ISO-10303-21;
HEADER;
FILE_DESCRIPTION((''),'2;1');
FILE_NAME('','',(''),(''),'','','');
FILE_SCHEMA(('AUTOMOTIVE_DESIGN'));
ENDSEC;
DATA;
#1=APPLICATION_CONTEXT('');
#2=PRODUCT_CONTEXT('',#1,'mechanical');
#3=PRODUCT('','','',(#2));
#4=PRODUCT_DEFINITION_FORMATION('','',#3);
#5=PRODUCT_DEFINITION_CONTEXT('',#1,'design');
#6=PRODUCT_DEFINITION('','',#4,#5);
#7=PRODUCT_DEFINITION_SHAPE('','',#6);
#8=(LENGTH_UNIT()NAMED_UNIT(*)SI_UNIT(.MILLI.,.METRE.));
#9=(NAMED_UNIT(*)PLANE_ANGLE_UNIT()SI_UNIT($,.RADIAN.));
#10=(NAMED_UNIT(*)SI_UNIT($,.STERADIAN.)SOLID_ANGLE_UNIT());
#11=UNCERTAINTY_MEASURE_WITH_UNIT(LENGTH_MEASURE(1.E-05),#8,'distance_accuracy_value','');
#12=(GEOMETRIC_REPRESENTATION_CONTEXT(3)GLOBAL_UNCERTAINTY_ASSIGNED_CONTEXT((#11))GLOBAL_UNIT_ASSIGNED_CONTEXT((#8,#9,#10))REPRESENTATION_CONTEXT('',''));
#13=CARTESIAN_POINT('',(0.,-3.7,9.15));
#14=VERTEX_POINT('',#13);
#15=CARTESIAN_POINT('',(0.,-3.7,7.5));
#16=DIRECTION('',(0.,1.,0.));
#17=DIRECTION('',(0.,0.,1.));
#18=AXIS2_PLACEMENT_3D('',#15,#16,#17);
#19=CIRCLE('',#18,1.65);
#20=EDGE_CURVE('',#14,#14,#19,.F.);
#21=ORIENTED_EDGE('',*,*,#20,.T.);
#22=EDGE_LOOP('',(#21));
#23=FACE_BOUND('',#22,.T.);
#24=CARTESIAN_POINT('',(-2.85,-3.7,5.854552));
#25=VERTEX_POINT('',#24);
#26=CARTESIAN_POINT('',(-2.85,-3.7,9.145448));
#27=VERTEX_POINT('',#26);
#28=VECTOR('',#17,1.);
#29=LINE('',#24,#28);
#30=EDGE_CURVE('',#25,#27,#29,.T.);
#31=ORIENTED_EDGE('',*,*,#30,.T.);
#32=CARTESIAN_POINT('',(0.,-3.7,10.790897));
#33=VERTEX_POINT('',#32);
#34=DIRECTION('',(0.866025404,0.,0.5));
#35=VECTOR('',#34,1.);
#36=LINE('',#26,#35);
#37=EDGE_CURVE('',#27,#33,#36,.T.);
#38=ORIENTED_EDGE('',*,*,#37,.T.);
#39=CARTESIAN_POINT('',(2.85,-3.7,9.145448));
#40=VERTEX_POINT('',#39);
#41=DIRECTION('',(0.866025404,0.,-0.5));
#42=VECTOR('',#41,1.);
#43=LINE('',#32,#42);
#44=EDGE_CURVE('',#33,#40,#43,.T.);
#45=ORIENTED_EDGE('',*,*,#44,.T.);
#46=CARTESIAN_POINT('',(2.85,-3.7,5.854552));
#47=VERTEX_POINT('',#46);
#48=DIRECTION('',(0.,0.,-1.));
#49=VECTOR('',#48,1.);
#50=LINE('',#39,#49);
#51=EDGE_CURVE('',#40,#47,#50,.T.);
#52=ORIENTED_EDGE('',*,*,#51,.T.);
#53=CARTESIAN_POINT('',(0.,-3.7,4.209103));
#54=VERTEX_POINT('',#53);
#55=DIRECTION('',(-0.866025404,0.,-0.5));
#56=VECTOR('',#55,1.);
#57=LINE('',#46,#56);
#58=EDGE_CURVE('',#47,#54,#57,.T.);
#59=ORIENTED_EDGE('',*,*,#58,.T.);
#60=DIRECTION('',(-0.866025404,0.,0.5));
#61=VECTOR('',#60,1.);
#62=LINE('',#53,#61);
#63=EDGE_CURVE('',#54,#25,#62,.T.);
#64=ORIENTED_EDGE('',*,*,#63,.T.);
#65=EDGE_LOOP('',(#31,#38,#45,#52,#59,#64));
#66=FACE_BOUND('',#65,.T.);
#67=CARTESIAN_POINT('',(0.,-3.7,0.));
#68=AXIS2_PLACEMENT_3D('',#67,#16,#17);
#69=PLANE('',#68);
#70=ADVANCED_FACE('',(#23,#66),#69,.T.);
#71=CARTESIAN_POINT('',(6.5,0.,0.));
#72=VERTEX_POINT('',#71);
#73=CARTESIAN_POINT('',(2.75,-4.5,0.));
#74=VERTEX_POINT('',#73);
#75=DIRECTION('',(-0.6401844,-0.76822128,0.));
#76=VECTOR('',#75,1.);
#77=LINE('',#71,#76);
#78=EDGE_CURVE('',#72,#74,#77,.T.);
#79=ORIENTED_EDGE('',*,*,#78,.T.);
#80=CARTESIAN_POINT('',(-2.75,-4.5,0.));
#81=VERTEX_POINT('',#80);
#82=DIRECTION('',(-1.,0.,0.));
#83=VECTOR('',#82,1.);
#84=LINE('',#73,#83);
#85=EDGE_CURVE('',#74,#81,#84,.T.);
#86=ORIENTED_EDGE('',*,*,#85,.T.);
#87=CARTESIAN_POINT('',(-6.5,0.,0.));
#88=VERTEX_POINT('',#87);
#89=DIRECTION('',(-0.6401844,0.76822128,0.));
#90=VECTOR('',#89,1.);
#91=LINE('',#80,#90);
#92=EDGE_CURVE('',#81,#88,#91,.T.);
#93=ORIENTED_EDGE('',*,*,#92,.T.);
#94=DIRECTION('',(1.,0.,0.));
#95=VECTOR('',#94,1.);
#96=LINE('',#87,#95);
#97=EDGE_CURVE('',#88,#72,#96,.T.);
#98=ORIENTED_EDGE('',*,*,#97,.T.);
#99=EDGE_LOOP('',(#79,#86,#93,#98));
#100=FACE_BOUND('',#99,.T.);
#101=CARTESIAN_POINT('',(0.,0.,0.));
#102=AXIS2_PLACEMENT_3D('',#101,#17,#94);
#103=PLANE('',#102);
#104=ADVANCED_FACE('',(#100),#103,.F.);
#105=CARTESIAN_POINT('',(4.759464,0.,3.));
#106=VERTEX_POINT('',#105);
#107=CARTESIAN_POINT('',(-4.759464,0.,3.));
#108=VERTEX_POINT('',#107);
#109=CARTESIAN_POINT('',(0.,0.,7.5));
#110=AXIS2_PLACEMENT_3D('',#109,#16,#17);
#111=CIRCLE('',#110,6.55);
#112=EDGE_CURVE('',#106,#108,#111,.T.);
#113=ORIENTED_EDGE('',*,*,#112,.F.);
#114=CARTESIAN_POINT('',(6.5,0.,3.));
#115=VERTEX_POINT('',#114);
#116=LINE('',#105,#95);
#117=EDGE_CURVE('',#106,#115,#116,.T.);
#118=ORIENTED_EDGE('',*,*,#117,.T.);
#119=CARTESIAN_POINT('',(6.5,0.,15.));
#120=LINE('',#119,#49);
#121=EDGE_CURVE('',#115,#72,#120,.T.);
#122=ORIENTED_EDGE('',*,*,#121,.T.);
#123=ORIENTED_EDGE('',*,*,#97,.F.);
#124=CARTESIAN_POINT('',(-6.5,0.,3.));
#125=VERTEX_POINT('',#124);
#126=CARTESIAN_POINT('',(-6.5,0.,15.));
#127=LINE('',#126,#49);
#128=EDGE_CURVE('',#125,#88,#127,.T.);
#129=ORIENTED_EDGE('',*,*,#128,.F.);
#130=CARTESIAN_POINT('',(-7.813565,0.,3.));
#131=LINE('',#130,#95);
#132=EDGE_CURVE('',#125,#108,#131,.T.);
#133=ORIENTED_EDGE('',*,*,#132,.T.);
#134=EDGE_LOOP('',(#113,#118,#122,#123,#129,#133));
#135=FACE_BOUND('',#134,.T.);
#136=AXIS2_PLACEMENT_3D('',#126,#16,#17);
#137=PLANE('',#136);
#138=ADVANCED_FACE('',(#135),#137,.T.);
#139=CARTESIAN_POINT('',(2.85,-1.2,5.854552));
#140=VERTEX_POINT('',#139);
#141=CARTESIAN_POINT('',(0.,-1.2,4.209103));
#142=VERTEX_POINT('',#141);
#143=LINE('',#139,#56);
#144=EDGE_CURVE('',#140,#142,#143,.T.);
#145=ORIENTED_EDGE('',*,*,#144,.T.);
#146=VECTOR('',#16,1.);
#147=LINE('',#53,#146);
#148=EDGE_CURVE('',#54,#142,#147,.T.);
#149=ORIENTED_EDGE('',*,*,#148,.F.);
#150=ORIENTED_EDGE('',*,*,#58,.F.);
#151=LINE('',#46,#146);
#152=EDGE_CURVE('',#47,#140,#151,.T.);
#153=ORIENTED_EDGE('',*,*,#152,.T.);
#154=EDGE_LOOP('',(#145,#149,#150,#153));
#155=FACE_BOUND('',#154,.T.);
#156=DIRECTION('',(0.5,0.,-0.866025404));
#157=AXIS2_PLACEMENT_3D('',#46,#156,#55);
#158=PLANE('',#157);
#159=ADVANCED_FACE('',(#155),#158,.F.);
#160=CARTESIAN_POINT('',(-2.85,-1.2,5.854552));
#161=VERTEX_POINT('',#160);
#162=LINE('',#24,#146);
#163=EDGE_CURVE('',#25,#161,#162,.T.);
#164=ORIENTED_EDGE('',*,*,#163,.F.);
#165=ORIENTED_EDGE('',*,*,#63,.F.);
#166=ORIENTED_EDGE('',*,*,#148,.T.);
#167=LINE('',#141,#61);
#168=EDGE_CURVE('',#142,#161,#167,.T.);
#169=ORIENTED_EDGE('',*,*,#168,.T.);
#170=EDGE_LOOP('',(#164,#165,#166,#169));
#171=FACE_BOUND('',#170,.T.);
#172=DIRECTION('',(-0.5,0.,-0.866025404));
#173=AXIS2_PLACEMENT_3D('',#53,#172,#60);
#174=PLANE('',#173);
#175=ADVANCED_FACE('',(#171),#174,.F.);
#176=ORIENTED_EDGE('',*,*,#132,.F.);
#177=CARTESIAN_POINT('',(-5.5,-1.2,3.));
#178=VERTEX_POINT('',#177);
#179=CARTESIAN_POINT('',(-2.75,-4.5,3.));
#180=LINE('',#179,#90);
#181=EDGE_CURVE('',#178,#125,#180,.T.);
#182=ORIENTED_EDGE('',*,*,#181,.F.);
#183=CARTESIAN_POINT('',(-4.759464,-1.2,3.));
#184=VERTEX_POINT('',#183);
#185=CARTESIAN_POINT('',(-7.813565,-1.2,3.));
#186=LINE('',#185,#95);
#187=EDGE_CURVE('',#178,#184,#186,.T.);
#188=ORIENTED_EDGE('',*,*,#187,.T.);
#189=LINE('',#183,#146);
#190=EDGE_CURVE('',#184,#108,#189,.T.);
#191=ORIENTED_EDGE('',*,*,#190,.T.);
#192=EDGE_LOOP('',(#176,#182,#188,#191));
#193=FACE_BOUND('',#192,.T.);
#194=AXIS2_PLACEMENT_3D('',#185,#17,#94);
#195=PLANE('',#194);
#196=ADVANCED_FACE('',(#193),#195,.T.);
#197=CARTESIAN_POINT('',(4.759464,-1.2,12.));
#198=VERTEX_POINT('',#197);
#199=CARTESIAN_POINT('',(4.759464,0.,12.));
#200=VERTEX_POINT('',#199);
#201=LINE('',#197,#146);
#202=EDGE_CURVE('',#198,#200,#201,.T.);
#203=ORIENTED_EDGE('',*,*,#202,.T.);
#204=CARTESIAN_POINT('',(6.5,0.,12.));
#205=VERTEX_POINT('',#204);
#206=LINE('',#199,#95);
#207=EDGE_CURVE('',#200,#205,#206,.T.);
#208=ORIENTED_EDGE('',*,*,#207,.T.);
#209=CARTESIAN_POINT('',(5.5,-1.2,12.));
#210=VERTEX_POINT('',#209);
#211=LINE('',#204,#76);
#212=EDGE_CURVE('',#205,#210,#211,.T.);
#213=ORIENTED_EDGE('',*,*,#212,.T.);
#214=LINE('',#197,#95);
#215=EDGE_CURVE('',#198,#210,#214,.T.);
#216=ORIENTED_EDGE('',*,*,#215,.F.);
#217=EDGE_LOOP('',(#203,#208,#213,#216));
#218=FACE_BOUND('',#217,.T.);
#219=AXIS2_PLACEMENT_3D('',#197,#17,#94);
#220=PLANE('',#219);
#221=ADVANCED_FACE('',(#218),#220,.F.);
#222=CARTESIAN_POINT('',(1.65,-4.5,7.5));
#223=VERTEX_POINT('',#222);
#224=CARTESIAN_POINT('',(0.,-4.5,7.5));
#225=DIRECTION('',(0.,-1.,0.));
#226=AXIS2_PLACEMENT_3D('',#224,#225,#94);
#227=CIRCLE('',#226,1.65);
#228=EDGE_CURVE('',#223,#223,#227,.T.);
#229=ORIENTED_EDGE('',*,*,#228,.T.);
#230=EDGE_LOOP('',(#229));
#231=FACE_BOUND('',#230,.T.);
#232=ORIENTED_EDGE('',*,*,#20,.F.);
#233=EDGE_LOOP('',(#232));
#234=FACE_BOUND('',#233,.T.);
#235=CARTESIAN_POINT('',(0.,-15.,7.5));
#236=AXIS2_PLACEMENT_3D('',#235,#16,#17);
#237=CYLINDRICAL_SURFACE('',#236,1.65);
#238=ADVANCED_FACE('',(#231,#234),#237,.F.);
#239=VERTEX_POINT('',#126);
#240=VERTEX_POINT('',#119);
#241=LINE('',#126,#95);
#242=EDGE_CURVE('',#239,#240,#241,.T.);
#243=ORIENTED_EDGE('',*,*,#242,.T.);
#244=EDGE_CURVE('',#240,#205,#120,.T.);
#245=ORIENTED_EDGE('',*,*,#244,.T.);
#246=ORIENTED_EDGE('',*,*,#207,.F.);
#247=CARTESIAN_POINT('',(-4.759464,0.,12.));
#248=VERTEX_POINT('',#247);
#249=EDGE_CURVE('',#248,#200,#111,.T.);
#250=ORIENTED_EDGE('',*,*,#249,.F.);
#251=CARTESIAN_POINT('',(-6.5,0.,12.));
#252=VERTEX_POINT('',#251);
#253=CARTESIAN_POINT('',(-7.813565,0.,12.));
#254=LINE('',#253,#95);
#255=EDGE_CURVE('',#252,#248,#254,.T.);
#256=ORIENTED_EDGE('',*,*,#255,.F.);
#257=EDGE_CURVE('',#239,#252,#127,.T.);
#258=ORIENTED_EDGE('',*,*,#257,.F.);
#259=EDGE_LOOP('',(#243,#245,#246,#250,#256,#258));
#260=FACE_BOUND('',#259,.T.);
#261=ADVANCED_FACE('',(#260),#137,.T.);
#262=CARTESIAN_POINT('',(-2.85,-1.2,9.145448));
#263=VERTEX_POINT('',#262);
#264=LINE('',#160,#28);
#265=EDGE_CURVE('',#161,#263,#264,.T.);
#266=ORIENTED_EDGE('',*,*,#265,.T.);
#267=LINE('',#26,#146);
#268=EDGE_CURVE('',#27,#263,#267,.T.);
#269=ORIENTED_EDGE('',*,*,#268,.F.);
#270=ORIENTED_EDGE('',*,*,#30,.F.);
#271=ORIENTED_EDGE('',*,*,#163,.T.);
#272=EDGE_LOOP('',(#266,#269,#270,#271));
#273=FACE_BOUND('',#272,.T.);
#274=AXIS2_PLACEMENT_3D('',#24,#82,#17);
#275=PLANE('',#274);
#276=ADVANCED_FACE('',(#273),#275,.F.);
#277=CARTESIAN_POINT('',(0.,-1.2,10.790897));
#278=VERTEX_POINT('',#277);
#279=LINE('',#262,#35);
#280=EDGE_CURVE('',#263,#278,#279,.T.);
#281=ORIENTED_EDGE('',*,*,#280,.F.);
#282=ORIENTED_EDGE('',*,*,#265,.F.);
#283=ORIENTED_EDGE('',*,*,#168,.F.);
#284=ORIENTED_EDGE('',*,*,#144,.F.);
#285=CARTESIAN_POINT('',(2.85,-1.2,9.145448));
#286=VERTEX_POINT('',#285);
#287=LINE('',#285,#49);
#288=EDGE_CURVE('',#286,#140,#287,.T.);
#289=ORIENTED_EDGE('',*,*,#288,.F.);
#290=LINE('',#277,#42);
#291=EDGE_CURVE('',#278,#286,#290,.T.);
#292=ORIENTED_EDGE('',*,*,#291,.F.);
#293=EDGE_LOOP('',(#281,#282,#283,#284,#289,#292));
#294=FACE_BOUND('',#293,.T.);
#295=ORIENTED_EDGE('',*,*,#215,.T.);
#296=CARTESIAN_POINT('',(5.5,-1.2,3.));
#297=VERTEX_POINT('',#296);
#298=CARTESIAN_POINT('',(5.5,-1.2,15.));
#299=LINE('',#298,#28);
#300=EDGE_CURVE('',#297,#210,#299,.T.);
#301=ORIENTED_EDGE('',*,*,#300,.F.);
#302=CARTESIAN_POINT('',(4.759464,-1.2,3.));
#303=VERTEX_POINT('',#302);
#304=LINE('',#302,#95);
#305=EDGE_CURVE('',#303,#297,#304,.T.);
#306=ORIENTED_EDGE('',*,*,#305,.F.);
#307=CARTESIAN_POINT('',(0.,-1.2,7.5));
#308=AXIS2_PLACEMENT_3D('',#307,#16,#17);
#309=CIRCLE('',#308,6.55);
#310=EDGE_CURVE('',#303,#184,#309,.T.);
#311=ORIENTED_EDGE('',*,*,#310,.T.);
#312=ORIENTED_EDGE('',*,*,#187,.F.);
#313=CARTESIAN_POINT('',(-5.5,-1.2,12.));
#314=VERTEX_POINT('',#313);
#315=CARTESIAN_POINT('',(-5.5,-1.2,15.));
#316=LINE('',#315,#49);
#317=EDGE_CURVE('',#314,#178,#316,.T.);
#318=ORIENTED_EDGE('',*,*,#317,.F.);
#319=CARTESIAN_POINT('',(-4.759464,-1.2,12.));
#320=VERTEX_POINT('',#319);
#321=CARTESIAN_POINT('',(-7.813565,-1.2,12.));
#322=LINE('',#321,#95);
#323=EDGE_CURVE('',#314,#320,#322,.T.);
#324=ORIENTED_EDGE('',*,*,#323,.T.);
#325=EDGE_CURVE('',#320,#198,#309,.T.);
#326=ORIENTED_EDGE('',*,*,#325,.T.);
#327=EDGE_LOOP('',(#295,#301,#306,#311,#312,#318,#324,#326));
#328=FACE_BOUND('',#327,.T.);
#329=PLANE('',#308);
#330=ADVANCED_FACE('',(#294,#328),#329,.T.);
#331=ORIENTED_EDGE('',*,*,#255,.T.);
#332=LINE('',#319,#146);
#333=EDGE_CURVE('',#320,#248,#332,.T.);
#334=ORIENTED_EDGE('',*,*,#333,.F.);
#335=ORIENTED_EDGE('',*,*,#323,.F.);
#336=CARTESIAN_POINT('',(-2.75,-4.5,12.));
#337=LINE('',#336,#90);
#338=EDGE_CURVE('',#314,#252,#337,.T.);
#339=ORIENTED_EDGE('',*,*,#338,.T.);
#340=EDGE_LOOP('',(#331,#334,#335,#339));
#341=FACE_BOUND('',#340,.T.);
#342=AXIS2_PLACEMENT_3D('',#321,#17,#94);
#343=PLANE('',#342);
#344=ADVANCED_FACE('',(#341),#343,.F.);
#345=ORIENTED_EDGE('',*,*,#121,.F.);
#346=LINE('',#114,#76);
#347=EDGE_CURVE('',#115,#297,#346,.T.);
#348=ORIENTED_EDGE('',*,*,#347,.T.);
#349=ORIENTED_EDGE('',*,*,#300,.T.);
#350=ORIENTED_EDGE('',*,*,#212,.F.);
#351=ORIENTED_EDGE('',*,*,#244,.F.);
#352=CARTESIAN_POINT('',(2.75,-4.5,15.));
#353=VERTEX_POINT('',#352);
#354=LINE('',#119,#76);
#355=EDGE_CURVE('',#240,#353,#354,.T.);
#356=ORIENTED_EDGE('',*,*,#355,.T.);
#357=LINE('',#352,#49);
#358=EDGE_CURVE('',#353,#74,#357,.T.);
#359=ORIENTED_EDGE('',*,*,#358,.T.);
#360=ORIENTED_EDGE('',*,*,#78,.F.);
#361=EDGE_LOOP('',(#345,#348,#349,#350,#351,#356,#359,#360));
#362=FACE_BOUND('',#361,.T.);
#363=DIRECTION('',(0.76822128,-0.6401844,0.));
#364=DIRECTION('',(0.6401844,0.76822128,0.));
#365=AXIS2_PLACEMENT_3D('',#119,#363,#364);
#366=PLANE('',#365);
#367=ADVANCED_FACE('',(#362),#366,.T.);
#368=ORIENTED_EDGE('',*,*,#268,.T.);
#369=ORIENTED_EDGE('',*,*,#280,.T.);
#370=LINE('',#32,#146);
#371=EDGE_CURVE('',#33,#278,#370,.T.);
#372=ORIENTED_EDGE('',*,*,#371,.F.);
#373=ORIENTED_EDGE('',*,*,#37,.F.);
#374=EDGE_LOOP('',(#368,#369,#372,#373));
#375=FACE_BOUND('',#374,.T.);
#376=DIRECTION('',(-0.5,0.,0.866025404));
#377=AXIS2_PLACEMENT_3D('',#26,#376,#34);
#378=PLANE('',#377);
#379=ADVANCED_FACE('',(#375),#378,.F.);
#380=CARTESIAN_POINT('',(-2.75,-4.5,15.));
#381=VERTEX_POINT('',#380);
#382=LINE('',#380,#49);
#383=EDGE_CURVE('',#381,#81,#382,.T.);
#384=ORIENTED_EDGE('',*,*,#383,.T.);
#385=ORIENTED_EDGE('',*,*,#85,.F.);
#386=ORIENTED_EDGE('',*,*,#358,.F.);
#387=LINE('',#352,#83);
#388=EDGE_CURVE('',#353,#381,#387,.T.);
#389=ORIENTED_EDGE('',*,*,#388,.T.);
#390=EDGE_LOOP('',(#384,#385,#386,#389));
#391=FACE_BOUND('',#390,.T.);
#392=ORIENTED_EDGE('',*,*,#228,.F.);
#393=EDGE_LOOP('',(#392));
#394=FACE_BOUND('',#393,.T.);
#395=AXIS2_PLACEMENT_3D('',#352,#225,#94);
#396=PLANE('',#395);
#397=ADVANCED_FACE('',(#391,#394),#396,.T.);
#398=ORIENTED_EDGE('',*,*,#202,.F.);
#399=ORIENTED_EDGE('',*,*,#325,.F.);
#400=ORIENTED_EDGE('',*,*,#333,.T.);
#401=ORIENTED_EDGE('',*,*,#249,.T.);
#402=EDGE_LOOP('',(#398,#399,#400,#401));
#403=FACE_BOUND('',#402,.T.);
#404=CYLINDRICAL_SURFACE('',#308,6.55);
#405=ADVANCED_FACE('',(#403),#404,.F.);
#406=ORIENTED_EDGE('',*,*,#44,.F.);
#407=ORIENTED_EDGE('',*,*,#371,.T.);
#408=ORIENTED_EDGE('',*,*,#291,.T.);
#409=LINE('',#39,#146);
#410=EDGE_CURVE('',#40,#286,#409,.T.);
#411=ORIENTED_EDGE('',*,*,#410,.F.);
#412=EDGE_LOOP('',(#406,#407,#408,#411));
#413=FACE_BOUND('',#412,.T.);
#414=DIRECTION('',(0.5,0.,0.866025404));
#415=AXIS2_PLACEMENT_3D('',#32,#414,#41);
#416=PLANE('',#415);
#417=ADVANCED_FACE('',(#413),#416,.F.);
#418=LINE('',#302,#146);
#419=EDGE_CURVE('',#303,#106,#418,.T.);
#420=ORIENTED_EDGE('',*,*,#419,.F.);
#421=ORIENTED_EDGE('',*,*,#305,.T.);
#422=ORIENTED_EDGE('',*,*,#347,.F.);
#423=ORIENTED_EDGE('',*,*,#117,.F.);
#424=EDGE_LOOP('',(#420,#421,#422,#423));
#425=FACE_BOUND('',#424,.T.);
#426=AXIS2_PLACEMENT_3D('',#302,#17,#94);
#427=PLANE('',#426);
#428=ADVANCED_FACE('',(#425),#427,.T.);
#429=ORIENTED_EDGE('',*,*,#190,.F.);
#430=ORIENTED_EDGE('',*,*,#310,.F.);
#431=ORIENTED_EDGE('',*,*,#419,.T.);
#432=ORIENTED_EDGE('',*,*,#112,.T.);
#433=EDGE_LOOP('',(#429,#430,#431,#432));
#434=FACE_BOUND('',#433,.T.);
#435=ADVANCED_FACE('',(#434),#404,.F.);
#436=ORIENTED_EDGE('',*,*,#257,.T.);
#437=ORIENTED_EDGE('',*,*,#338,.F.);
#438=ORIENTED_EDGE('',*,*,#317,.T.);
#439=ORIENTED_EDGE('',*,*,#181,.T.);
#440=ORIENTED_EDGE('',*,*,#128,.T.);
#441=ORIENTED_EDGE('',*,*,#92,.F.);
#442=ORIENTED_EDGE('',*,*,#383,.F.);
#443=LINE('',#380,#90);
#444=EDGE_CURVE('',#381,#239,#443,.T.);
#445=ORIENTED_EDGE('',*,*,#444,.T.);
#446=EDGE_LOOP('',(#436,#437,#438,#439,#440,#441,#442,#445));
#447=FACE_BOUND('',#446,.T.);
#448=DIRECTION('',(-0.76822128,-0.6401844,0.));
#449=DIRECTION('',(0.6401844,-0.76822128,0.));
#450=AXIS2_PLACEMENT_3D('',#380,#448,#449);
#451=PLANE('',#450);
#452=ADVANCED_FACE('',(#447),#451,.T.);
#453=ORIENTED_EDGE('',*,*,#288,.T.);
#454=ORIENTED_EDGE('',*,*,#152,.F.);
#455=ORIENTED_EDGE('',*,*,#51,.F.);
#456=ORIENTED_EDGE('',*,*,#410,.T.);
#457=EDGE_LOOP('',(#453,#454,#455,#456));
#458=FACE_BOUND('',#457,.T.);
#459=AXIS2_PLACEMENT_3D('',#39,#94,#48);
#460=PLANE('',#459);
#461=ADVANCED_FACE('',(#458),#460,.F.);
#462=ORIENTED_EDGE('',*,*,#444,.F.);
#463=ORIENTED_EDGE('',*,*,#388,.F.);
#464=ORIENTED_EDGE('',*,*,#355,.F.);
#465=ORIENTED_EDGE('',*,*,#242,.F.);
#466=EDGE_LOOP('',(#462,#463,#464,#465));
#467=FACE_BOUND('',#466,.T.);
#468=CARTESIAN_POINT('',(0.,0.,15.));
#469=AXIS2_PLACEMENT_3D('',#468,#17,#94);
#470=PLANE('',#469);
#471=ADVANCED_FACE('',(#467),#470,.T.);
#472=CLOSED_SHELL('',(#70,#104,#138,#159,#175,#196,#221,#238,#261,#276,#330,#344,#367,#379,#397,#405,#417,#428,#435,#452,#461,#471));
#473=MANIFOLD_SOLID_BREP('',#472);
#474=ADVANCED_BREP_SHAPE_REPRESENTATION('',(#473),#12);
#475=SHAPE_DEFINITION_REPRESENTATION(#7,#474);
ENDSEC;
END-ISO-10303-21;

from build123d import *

# Parameters (mm, degrees)
RESSALTO_EXTRUS_O1_DEPTH = 15
ESBO_O2_R                = 1.65
CORTE_EXTRUS_O1_DEPTH    = 15
CORTE_EXTRUS_O5_DEPTH    = 1.2
CORTE_EXTRUS_O6_DEPTH    = 2.5


with BuildPart() as part:
    # Esboço1 → Ressalto-extrusão1 (new body)
    with BuildSketch(Plane.XY):
        Polygon((-6.5, 0), (6.5, 0), (2.75, -4.5), (-2.75, -4.5), align=None)
    extrude(amount=RESSALTO_EXTRUS_O1_DEPTH)

    # Esboço2 → Corte-extrusão1 (cut)
    with BuildSketch(Plane(origin=(0, 0, 0), x_dir=(1, 0, 0), z_dir=(0, 1, 0))):
        with Locations((0, -7.5)):
            Circle(ESBO_O2_R)
    extrude(amount=-CORTE_EXTRUS_O1_DEPTH, mode=Mode.SUBTRACT)

    # Esboço3 → Corte-extrusão5 (cut)
    with BuildSketch(Plane(origin=(0, 0, 0), x_dir=(1, 0, 0), z_dir=(0, 1, 0))):
        with BuildLine():
            Line((4.759464256, -3), (7.813565265, -3))
            Line((7.813565265, -3), (7.813565265, -12))
            Line((7.813565265, -12), (4.759464256, -12))
            ThreePointArc((4.759464256, -12), (0, -14.05), (-4.759464256, -12))
            Line((-4.759464256, -12), (-7.813565265, -12))
            Line((-7.813565265, -12), (-7.813565265, -3))
            Line((-7.813565265, -3), (-4.759464256, -3))
            ThreePointArc((-4.759464256, -3), (0, -0.95), (4.759464256, -3))
        make_face()
    extrude(amount=-CORTE_EXTRUS_O5_DEPTH, mode=Mode.SUBTRACT)

    # Esboço4 → Corte-extrusão6 (cut)
    with BuildSketch(Plane(origin=(0, -1.2, 0), x_dir=(1, 0, 0), z_dir=(0, 1, 0))):
        Polygon((0, -4.209103466), (-2.85, -5.854551733), (-2.85, -9.145448267), (0, -10.790896534), (2.85, -9.145448267), (2.85, -5.854551733), align=None)
    extrude(amount=-CORTE_EXTRUS_O6_DEPTH, mode=Mode.SUBTRACT)


solid = part.part
